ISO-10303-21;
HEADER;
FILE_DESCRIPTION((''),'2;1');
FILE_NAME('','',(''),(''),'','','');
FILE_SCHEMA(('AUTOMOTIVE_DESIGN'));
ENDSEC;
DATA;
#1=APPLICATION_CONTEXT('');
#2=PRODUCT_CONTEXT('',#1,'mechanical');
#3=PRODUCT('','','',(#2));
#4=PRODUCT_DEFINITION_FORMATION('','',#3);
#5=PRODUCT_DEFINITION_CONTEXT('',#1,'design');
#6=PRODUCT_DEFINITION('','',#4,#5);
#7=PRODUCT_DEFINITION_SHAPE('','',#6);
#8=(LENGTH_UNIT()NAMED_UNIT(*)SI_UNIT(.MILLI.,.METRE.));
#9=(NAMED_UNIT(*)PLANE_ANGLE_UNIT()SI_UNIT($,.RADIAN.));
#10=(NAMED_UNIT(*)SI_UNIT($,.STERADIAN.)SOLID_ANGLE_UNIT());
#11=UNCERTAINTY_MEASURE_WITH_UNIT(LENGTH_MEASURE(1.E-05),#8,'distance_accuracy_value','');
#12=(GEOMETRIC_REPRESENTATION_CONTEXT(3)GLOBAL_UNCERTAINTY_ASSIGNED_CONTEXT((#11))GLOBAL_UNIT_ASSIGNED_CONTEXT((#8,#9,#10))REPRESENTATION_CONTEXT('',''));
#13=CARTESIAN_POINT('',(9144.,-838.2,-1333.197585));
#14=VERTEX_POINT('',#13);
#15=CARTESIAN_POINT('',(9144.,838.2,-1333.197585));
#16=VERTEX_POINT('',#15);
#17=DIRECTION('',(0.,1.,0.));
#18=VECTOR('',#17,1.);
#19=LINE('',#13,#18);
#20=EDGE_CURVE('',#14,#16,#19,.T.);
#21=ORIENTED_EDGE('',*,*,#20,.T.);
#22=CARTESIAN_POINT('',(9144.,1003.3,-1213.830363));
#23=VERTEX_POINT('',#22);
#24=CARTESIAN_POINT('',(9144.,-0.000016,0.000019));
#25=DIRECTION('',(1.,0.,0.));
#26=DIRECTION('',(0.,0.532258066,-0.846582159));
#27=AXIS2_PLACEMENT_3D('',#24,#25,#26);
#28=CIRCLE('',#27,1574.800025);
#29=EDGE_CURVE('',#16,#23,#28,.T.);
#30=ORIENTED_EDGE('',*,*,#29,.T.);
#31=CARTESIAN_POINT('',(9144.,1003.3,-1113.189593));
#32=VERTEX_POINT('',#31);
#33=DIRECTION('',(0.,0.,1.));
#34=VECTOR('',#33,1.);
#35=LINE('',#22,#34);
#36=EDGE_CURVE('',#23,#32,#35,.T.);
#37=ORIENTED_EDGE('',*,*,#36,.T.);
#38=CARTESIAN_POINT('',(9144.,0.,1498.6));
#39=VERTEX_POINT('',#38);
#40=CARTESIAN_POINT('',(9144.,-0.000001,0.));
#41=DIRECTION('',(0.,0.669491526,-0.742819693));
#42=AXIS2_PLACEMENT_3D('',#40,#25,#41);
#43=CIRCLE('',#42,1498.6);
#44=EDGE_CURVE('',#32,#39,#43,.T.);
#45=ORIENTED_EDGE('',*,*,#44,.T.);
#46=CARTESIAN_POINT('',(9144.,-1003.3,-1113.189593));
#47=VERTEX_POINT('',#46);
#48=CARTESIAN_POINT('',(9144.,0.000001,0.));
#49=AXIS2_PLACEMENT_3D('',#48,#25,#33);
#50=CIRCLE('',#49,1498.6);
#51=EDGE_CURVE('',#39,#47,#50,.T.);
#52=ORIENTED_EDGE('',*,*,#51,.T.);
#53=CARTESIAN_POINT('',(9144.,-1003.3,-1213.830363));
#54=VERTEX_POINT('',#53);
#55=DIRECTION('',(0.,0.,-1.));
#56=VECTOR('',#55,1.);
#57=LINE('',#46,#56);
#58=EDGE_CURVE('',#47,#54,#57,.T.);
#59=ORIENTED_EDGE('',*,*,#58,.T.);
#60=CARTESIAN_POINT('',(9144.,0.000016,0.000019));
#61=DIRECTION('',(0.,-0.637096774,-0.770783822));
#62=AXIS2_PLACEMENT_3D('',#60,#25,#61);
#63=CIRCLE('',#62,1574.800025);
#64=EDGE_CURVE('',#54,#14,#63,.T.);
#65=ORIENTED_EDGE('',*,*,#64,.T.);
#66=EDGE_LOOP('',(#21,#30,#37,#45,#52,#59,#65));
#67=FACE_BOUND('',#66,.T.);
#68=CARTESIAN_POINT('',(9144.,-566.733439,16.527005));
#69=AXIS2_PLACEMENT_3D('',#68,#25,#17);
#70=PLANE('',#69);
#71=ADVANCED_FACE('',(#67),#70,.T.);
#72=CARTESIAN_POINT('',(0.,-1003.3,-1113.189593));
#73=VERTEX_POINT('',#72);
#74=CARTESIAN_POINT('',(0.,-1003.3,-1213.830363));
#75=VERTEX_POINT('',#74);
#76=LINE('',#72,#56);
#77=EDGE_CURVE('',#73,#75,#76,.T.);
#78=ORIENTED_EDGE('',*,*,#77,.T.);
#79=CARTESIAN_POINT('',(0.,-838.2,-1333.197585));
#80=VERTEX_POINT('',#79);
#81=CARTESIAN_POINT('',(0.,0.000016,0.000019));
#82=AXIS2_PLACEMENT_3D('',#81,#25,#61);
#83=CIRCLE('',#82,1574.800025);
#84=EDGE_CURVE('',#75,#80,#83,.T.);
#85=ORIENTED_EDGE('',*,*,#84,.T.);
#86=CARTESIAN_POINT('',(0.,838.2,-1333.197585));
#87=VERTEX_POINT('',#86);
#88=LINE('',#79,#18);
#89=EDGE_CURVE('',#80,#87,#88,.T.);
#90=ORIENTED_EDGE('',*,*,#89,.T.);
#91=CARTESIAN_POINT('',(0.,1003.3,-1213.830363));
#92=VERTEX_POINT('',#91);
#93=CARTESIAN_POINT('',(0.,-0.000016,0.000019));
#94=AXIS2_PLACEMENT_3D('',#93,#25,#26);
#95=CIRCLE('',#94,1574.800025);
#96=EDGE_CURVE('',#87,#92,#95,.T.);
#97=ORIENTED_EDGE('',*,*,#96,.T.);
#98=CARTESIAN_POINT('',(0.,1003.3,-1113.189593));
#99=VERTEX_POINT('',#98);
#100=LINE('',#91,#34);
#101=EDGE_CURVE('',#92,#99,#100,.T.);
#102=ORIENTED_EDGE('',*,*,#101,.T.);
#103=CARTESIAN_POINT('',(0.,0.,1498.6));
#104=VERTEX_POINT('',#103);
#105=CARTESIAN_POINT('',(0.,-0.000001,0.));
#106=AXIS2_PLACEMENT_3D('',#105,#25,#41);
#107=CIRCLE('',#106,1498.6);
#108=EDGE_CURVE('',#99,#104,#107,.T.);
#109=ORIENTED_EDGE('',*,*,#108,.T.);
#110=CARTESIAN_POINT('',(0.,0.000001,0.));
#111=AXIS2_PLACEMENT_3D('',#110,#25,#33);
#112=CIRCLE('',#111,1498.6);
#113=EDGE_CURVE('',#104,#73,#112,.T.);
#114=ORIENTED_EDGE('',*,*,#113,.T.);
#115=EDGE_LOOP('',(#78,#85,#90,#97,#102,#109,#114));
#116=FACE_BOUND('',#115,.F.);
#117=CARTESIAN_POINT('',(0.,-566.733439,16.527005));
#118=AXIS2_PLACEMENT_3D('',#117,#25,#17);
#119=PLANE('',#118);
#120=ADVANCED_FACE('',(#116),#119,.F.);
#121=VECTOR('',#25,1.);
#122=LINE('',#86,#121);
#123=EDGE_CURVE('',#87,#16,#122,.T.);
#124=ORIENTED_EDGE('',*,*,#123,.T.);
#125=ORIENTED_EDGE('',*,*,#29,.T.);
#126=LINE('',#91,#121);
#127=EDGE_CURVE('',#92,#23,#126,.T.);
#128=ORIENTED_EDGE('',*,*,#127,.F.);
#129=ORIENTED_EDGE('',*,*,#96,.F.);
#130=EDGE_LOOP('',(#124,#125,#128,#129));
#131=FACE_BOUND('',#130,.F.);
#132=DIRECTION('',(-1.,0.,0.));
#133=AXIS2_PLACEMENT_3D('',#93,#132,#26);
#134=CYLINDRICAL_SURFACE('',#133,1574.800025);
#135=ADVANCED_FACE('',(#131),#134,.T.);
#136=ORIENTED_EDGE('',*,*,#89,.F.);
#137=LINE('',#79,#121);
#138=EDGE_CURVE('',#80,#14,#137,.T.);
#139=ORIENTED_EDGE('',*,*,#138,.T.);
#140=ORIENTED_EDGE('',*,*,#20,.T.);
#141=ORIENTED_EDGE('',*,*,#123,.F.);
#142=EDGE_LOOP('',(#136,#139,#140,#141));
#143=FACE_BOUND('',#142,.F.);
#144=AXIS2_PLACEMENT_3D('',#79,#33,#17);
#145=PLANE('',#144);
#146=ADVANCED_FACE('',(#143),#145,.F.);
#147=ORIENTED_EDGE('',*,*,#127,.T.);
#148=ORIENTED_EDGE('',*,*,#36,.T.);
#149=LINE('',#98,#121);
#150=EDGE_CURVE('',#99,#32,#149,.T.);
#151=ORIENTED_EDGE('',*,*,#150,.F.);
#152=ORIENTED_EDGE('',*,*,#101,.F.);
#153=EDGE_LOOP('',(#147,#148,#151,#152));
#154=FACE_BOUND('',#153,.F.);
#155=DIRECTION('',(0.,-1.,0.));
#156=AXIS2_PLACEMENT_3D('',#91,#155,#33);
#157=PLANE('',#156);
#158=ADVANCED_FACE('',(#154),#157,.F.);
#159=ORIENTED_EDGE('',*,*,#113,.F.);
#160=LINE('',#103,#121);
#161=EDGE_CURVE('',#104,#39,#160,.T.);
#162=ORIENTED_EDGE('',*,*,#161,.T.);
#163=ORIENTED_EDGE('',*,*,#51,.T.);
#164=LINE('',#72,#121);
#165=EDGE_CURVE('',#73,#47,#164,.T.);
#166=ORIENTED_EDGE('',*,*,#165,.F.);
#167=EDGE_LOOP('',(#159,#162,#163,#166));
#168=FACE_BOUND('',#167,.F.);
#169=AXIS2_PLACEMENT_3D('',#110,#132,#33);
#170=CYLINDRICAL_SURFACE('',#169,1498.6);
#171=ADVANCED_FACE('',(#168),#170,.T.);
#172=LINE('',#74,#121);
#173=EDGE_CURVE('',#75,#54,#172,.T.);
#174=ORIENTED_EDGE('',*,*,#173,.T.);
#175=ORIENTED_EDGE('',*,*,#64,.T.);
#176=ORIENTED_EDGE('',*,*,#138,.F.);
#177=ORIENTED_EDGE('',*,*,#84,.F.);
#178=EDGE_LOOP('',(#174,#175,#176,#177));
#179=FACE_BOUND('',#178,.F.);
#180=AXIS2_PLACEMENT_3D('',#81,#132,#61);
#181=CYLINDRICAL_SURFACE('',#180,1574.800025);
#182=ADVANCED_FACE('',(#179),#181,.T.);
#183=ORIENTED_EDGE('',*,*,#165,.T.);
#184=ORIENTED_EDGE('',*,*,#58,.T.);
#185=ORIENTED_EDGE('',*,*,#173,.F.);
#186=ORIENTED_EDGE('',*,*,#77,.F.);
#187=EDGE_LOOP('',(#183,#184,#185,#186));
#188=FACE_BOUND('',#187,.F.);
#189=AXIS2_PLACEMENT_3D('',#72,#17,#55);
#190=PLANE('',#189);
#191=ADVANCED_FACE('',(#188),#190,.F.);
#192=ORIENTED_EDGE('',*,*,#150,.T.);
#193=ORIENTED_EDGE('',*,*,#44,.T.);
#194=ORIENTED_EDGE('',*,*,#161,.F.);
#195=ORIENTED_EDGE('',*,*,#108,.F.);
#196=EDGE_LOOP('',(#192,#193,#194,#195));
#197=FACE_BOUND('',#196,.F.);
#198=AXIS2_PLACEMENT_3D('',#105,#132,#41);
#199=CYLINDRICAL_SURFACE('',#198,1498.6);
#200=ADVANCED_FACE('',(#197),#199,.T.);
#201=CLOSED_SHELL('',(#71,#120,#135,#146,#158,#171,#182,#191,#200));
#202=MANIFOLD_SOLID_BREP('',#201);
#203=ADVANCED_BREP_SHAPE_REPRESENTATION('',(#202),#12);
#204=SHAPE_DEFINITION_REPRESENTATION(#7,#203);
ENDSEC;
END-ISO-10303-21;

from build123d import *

# Parameters (mm, degrees)
F1_DEPTH = 9144


with BuildPart() as f1:
    # F0 (on Right) → F1 (new body)
    with BuildSketch(Plane.YZ):
        with BuildLine():
            Line((-1003.3, -1113.189593), (-1003.3, -1213.830363))
            ThreePointArc((-1003.3, -1213.830363), (-922.682337, -1276.186642), (-838.2, -1333.197585))
            Line((-838.2, -1333.197585), (0, -1333.197585))
            Line((0, -1333.197585), (0, 1498.6))
            ThreePointArc((0, 1498.6), (-1398.933144, 537.390005), (-1003.3, -1113.189593))
        make_face()
        with BuildLine():
            Line((0, 1498.6), (0, -1333.197585))
            Line((0, -1333.197585), (838.2, -1333.197585))
            ThreePointArc((838.2, -1333.197585), (922.682337, -1276.186642), (1003.3, -1213.830363))
            Line((1003.3, -1213.830363), (1003.3, -1113.189593))
            ThreePointArc((1003.3, -1113.189593), (1398.933144, 537.390005), (0, 1498.6))
        make_face()
    extrude(amount=F1_DEPTH)


solid = f1.part
